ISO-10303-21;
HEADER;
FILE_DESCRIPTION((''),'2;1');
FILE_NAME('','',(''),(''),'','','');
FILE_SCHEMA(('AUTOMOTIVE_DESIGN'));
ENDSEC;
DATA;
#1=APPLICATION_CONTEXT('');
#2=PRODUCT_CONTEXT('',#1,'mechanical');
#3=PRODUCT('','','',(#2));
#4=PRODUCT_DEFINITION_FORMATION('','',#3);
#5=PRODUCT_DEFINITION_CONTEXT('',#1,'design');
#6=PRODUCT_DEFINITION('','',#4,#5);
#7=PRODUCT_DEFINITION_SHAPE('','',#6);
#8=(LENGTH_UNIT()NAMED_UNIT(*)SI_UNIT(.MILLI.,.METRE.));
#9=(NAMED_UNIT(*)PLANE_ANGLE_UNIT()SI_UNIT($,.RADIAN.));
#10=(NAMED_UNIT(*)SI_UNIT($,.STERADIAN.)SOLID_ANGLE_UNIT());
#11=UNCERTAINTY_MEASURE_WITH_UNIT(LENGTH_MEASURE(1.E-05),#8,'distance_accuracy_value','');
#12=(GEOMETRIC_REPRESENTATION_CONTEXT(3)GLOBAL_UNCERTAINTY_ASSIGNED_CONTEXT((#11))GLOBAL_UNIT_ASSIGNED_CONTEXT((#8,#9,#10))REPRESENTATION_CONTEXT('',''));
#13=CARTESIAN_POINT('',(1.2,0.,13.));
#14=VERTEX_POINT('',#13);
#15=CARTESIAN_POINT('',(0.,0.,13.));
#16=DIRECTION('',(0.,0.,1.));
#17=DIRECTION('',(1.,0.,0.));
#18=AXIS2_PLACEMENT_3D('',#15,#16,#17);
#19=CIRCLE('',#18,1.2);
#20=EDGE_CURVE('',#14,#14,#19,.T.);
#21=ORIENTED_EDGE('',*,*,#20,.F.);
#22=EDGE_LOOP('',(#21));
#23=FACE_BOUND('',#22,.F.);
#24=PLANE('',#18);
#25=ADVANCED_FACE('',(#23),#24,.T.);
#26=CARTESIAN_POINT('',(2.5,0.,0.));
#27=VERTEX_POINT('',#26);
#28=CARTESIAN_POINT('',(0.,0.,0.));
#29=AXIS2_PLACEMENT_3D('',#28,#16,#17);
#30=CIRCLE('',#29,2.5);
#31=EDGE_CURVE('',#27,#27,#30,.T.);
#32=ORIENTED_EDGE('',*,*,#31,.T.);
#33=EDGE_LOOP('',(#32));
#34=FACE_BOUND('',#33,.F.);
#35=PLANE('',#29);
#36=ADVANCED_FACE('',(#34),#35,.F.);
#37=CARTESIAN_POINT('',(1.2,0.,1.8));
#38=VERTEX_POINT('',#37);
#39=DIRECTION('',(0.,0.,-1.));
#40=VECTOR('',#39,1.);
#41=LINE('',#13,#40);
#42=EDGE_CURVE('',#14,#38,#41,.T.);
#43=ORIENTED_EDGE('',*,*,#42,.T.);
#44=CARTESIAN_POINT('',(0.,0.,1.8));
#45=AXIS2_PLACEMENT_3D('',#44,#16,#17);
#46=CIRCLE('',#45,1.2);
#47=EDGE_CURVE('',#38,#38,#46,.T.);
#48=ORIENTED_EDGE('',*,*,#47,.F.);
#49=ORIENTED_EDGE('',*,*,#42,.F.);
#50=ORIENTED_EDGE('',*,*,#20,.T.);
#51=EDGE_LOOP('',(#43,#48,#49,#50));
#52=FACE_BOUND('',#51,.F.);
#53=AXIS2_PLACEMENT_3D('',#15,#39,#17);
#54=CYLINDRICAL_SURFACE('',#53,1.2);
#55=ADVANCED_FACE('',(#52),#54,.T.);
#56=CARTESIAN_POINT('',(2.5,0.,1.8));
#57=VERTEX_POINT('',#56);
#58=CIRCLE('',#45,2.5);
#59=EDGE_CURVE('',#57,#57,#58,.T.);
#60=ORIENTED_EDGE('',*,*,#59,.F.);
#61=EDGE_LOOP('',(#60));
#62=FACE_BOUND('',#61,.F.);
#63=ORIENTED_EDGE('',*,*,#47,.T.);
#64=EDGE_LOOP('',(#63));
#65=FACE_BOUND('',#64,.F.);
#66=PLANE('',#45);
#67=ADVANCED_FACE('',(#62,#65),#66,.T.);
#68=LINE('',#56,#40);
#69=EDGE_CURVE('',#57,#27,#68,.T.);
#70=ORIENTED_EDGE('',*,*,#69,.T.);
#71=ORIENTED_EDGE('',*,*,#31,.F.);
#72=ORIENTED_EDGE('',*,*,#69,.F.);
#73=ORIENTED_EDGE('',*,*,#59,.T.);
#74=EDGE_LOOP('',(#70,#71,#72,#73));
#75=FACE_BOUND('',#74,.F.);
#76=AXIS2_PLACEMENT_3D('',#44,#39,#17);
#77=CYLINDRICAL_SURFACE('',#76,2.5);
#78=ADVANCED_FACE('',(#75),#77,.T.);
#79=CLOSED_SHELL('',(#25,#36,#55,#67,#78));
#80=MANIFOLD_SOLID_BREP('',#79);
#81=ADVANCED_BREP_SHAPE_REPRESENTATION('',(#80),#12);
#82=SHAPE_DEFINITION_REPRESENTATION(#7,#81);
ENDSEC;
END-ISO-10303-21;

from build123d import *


with BuildPart() as part:
    # Sketch → Revolution (revolve)
    with BuildSketch(Plane.XZ):
        Polygon((0, 13), (1.2, 13), (1.2, 1.8), (2.5, 1.8), (2.5, 0), (0, 0), align=None)
    revolve(axis=Axis((0, 0, 0), (0, 0, 1)))


solid = part.part
